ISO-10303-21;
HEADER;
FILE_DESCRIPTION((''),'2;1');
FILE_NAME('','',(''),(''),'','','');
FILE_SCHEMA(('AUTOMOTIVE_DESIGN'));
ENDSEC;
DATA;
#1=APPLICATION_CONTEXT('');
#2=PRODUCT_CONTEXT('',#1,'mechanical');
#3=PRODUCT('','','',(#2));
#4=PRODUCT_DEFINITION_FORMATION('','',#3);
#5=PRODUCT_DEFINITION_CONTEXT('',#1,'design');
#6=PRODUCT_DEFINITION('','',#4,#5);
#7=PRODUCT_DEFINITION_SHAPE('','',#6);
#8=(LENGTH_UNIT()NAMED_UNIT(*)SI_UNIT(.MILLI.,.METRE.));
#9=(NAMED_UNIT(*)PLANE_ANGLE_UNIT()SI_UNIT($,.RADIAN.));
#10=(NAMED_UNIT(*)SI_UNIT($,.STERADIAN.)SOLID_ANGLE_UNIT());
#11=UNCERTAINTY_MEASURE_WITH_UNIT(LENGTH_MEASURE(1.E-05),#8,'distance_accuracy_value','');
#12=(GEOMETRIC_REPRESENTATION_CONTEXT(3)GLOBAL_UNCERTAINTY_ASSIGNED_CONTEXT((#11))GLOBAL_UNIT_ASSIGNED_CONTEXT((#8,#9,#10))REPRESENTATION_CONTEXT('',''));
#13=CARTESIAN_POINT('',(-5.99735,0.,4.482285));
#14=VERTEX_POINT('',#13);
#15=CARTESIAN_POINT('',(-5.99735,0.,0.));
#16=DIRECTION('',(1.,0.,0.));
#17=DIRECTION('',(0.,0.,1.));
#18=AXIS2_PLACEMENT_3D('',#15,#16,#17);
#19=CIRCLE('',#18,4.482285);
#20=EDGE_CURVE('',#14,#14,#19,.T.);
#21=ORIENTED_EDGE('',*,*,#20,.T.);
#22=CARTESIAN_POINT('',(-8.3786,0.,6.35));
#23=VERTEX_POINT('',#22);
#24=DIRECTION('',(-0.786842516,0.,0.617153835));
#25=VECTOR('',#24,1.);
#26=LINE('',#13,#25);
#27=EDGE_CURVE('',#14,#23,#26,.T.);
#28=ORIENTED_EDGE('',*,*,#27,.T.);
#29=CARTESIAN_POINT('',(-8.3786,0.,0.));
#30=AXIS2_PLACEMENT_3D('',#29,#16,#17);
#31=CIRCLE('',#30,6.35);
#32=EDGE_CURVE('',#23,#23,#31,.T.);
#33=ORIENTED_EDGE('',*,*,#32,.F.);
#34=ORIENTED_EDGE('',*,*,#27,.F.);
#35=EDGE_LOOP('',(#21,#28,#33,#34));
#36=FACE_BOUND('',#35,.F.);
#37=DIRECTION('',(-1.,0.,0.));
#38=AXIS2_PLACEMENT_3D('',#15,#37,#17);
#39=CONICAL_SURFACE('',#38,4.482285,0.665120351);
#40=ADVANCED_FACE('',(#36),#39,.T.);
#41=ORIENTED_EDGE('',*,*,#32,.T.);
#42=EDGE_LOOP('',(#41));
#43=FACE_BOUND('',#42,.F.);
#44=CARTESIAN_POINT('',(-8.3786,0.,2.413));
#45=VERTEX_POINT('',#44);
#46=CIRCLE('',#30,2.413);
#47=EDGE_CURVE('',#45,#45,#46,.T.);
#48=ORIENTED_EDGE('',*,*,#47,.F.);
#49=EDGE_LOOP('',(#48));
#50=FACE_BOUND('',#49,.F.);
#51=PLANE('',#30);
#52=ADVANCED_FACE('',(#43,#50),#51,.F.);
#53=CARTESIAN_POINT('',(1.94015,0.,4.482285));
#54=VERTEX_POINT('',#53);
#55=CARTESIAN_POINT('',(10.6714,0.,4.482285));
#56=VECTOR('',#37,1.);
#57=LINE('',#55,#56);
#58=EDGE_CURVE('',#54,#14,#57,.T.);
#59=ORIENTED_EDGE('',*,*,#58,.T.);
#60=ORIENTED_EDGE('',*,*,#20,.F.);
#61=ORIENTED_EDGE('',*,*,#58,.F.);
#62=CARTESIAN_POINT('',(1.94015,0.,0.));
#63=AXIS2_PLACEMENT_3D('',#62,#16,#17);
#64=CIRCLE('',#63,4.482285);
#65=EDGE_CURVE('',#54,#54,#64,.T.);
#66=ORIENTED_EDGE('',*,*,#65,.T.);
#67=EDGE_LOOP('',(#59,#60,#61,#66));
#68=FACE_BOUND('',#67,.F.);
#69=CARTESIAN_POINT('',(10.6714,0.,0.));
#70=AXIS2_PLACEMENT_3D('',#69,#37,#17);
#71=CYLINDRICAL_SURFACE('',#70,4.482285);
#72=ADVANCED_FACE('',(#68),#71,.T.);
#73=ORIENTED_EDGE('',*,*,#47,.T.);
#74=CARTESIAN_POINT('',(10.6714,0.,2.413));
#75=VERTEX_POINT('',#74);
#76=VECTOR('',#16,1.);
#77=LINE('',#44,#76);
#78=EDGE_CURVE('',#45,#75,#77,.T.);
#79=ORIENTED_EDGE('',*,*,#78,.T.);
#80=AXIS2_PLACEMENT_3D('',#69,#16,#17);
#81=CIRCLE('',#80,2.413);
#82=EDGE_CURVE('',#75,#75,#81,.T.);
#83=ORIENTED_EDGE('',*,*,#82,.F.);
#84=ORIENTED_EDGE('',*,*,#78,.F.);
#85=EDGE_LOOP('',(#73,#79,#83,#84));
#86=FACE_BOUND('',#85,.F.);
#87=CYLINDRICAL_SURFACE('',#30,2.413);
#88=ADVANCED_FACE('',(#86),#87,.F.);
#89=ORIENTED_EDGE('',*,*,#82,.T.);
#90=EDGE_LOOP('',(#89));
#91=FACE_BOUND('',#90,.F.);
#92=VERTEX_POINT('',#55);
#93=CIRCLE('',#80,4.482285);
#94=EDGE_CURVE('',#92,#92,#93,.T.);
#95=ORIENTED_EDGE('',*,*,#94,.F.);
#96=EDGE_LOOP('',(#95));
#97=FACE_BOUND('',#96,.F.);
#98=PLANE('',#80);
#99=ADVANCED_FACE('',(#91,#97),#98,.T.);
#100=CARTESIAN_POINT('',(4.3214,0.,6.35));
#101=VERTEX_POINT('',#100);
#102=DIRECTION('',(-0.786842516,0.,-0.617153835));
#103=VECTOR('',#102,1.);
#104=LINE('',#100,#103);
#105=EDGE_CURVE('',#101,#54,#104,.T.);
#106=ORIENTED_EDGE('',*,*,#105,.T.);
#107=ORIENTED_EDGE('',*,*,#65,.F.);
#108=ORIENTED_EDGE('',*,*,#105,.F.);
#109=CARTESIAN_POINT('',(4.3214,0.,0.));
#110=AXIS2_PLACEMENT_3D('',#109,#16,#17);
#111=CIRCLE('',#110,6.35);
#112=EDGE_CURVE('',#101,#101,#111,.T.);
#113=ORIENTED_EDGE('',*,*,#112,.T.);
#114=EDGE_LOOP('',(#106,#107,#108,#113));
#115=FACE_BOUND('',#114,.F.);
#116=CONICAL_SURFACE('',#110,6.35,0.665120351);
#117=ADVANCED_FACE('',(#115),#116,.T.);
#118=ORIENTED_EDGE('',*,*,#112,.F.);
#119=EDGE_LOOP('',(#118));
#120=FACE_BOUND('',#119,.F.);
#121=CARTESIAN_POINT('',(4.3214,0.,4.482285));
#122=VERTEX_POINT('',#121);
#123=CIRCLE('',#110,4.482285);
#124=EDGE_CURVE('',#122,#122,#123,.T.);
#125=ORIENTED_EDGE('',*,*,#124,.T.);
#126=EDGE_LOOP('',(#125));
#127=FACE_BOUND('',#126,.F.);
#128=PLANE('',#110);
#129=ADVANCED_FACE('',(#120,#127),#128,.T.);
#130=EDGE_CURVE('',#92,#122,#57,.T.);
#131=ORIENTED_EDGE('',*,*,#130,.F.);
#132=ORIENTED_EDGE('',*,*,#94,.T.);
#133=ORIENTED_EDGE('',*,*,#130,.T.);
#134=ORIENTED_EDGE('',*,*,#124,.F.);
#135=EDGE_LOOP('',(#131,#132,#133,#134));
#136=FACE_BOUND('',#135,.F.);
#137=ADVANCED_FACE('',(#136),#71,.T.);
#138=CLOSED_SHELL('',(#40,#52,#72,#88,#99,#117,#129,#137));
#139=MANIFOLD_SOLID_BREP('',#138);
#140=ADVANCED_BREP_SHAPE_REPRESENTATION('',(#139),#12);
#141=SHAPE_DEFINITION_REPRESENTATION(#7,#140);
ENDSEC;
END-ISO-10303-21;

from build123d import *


with BuildPart() as f1:
    # F0 (on Front) → F1 (revolve)
    with BuildSketch(Plane.XZ):
        Polygon((-8.3786, 6.35), (-8.3786, 4.482285), (-5.99735, 4.482285), align=None)
        Polygon((-5.99735, 4.482285), (-8.3786, 4.482285), (-8.3786, 2.413), (10.6714, 2.413), (10.6714, 4.482285), (4.3214, 4.482285), (1.94015, 4.482285), align=None)
        Polygon((4.3214, 6.35), (1.94015, 4.482285), (4.3214, 4.482285), align=None)
    revolve(axis=Axis((0.768075, 0, 0), (1, 0, 0)))


solid = f1.part
